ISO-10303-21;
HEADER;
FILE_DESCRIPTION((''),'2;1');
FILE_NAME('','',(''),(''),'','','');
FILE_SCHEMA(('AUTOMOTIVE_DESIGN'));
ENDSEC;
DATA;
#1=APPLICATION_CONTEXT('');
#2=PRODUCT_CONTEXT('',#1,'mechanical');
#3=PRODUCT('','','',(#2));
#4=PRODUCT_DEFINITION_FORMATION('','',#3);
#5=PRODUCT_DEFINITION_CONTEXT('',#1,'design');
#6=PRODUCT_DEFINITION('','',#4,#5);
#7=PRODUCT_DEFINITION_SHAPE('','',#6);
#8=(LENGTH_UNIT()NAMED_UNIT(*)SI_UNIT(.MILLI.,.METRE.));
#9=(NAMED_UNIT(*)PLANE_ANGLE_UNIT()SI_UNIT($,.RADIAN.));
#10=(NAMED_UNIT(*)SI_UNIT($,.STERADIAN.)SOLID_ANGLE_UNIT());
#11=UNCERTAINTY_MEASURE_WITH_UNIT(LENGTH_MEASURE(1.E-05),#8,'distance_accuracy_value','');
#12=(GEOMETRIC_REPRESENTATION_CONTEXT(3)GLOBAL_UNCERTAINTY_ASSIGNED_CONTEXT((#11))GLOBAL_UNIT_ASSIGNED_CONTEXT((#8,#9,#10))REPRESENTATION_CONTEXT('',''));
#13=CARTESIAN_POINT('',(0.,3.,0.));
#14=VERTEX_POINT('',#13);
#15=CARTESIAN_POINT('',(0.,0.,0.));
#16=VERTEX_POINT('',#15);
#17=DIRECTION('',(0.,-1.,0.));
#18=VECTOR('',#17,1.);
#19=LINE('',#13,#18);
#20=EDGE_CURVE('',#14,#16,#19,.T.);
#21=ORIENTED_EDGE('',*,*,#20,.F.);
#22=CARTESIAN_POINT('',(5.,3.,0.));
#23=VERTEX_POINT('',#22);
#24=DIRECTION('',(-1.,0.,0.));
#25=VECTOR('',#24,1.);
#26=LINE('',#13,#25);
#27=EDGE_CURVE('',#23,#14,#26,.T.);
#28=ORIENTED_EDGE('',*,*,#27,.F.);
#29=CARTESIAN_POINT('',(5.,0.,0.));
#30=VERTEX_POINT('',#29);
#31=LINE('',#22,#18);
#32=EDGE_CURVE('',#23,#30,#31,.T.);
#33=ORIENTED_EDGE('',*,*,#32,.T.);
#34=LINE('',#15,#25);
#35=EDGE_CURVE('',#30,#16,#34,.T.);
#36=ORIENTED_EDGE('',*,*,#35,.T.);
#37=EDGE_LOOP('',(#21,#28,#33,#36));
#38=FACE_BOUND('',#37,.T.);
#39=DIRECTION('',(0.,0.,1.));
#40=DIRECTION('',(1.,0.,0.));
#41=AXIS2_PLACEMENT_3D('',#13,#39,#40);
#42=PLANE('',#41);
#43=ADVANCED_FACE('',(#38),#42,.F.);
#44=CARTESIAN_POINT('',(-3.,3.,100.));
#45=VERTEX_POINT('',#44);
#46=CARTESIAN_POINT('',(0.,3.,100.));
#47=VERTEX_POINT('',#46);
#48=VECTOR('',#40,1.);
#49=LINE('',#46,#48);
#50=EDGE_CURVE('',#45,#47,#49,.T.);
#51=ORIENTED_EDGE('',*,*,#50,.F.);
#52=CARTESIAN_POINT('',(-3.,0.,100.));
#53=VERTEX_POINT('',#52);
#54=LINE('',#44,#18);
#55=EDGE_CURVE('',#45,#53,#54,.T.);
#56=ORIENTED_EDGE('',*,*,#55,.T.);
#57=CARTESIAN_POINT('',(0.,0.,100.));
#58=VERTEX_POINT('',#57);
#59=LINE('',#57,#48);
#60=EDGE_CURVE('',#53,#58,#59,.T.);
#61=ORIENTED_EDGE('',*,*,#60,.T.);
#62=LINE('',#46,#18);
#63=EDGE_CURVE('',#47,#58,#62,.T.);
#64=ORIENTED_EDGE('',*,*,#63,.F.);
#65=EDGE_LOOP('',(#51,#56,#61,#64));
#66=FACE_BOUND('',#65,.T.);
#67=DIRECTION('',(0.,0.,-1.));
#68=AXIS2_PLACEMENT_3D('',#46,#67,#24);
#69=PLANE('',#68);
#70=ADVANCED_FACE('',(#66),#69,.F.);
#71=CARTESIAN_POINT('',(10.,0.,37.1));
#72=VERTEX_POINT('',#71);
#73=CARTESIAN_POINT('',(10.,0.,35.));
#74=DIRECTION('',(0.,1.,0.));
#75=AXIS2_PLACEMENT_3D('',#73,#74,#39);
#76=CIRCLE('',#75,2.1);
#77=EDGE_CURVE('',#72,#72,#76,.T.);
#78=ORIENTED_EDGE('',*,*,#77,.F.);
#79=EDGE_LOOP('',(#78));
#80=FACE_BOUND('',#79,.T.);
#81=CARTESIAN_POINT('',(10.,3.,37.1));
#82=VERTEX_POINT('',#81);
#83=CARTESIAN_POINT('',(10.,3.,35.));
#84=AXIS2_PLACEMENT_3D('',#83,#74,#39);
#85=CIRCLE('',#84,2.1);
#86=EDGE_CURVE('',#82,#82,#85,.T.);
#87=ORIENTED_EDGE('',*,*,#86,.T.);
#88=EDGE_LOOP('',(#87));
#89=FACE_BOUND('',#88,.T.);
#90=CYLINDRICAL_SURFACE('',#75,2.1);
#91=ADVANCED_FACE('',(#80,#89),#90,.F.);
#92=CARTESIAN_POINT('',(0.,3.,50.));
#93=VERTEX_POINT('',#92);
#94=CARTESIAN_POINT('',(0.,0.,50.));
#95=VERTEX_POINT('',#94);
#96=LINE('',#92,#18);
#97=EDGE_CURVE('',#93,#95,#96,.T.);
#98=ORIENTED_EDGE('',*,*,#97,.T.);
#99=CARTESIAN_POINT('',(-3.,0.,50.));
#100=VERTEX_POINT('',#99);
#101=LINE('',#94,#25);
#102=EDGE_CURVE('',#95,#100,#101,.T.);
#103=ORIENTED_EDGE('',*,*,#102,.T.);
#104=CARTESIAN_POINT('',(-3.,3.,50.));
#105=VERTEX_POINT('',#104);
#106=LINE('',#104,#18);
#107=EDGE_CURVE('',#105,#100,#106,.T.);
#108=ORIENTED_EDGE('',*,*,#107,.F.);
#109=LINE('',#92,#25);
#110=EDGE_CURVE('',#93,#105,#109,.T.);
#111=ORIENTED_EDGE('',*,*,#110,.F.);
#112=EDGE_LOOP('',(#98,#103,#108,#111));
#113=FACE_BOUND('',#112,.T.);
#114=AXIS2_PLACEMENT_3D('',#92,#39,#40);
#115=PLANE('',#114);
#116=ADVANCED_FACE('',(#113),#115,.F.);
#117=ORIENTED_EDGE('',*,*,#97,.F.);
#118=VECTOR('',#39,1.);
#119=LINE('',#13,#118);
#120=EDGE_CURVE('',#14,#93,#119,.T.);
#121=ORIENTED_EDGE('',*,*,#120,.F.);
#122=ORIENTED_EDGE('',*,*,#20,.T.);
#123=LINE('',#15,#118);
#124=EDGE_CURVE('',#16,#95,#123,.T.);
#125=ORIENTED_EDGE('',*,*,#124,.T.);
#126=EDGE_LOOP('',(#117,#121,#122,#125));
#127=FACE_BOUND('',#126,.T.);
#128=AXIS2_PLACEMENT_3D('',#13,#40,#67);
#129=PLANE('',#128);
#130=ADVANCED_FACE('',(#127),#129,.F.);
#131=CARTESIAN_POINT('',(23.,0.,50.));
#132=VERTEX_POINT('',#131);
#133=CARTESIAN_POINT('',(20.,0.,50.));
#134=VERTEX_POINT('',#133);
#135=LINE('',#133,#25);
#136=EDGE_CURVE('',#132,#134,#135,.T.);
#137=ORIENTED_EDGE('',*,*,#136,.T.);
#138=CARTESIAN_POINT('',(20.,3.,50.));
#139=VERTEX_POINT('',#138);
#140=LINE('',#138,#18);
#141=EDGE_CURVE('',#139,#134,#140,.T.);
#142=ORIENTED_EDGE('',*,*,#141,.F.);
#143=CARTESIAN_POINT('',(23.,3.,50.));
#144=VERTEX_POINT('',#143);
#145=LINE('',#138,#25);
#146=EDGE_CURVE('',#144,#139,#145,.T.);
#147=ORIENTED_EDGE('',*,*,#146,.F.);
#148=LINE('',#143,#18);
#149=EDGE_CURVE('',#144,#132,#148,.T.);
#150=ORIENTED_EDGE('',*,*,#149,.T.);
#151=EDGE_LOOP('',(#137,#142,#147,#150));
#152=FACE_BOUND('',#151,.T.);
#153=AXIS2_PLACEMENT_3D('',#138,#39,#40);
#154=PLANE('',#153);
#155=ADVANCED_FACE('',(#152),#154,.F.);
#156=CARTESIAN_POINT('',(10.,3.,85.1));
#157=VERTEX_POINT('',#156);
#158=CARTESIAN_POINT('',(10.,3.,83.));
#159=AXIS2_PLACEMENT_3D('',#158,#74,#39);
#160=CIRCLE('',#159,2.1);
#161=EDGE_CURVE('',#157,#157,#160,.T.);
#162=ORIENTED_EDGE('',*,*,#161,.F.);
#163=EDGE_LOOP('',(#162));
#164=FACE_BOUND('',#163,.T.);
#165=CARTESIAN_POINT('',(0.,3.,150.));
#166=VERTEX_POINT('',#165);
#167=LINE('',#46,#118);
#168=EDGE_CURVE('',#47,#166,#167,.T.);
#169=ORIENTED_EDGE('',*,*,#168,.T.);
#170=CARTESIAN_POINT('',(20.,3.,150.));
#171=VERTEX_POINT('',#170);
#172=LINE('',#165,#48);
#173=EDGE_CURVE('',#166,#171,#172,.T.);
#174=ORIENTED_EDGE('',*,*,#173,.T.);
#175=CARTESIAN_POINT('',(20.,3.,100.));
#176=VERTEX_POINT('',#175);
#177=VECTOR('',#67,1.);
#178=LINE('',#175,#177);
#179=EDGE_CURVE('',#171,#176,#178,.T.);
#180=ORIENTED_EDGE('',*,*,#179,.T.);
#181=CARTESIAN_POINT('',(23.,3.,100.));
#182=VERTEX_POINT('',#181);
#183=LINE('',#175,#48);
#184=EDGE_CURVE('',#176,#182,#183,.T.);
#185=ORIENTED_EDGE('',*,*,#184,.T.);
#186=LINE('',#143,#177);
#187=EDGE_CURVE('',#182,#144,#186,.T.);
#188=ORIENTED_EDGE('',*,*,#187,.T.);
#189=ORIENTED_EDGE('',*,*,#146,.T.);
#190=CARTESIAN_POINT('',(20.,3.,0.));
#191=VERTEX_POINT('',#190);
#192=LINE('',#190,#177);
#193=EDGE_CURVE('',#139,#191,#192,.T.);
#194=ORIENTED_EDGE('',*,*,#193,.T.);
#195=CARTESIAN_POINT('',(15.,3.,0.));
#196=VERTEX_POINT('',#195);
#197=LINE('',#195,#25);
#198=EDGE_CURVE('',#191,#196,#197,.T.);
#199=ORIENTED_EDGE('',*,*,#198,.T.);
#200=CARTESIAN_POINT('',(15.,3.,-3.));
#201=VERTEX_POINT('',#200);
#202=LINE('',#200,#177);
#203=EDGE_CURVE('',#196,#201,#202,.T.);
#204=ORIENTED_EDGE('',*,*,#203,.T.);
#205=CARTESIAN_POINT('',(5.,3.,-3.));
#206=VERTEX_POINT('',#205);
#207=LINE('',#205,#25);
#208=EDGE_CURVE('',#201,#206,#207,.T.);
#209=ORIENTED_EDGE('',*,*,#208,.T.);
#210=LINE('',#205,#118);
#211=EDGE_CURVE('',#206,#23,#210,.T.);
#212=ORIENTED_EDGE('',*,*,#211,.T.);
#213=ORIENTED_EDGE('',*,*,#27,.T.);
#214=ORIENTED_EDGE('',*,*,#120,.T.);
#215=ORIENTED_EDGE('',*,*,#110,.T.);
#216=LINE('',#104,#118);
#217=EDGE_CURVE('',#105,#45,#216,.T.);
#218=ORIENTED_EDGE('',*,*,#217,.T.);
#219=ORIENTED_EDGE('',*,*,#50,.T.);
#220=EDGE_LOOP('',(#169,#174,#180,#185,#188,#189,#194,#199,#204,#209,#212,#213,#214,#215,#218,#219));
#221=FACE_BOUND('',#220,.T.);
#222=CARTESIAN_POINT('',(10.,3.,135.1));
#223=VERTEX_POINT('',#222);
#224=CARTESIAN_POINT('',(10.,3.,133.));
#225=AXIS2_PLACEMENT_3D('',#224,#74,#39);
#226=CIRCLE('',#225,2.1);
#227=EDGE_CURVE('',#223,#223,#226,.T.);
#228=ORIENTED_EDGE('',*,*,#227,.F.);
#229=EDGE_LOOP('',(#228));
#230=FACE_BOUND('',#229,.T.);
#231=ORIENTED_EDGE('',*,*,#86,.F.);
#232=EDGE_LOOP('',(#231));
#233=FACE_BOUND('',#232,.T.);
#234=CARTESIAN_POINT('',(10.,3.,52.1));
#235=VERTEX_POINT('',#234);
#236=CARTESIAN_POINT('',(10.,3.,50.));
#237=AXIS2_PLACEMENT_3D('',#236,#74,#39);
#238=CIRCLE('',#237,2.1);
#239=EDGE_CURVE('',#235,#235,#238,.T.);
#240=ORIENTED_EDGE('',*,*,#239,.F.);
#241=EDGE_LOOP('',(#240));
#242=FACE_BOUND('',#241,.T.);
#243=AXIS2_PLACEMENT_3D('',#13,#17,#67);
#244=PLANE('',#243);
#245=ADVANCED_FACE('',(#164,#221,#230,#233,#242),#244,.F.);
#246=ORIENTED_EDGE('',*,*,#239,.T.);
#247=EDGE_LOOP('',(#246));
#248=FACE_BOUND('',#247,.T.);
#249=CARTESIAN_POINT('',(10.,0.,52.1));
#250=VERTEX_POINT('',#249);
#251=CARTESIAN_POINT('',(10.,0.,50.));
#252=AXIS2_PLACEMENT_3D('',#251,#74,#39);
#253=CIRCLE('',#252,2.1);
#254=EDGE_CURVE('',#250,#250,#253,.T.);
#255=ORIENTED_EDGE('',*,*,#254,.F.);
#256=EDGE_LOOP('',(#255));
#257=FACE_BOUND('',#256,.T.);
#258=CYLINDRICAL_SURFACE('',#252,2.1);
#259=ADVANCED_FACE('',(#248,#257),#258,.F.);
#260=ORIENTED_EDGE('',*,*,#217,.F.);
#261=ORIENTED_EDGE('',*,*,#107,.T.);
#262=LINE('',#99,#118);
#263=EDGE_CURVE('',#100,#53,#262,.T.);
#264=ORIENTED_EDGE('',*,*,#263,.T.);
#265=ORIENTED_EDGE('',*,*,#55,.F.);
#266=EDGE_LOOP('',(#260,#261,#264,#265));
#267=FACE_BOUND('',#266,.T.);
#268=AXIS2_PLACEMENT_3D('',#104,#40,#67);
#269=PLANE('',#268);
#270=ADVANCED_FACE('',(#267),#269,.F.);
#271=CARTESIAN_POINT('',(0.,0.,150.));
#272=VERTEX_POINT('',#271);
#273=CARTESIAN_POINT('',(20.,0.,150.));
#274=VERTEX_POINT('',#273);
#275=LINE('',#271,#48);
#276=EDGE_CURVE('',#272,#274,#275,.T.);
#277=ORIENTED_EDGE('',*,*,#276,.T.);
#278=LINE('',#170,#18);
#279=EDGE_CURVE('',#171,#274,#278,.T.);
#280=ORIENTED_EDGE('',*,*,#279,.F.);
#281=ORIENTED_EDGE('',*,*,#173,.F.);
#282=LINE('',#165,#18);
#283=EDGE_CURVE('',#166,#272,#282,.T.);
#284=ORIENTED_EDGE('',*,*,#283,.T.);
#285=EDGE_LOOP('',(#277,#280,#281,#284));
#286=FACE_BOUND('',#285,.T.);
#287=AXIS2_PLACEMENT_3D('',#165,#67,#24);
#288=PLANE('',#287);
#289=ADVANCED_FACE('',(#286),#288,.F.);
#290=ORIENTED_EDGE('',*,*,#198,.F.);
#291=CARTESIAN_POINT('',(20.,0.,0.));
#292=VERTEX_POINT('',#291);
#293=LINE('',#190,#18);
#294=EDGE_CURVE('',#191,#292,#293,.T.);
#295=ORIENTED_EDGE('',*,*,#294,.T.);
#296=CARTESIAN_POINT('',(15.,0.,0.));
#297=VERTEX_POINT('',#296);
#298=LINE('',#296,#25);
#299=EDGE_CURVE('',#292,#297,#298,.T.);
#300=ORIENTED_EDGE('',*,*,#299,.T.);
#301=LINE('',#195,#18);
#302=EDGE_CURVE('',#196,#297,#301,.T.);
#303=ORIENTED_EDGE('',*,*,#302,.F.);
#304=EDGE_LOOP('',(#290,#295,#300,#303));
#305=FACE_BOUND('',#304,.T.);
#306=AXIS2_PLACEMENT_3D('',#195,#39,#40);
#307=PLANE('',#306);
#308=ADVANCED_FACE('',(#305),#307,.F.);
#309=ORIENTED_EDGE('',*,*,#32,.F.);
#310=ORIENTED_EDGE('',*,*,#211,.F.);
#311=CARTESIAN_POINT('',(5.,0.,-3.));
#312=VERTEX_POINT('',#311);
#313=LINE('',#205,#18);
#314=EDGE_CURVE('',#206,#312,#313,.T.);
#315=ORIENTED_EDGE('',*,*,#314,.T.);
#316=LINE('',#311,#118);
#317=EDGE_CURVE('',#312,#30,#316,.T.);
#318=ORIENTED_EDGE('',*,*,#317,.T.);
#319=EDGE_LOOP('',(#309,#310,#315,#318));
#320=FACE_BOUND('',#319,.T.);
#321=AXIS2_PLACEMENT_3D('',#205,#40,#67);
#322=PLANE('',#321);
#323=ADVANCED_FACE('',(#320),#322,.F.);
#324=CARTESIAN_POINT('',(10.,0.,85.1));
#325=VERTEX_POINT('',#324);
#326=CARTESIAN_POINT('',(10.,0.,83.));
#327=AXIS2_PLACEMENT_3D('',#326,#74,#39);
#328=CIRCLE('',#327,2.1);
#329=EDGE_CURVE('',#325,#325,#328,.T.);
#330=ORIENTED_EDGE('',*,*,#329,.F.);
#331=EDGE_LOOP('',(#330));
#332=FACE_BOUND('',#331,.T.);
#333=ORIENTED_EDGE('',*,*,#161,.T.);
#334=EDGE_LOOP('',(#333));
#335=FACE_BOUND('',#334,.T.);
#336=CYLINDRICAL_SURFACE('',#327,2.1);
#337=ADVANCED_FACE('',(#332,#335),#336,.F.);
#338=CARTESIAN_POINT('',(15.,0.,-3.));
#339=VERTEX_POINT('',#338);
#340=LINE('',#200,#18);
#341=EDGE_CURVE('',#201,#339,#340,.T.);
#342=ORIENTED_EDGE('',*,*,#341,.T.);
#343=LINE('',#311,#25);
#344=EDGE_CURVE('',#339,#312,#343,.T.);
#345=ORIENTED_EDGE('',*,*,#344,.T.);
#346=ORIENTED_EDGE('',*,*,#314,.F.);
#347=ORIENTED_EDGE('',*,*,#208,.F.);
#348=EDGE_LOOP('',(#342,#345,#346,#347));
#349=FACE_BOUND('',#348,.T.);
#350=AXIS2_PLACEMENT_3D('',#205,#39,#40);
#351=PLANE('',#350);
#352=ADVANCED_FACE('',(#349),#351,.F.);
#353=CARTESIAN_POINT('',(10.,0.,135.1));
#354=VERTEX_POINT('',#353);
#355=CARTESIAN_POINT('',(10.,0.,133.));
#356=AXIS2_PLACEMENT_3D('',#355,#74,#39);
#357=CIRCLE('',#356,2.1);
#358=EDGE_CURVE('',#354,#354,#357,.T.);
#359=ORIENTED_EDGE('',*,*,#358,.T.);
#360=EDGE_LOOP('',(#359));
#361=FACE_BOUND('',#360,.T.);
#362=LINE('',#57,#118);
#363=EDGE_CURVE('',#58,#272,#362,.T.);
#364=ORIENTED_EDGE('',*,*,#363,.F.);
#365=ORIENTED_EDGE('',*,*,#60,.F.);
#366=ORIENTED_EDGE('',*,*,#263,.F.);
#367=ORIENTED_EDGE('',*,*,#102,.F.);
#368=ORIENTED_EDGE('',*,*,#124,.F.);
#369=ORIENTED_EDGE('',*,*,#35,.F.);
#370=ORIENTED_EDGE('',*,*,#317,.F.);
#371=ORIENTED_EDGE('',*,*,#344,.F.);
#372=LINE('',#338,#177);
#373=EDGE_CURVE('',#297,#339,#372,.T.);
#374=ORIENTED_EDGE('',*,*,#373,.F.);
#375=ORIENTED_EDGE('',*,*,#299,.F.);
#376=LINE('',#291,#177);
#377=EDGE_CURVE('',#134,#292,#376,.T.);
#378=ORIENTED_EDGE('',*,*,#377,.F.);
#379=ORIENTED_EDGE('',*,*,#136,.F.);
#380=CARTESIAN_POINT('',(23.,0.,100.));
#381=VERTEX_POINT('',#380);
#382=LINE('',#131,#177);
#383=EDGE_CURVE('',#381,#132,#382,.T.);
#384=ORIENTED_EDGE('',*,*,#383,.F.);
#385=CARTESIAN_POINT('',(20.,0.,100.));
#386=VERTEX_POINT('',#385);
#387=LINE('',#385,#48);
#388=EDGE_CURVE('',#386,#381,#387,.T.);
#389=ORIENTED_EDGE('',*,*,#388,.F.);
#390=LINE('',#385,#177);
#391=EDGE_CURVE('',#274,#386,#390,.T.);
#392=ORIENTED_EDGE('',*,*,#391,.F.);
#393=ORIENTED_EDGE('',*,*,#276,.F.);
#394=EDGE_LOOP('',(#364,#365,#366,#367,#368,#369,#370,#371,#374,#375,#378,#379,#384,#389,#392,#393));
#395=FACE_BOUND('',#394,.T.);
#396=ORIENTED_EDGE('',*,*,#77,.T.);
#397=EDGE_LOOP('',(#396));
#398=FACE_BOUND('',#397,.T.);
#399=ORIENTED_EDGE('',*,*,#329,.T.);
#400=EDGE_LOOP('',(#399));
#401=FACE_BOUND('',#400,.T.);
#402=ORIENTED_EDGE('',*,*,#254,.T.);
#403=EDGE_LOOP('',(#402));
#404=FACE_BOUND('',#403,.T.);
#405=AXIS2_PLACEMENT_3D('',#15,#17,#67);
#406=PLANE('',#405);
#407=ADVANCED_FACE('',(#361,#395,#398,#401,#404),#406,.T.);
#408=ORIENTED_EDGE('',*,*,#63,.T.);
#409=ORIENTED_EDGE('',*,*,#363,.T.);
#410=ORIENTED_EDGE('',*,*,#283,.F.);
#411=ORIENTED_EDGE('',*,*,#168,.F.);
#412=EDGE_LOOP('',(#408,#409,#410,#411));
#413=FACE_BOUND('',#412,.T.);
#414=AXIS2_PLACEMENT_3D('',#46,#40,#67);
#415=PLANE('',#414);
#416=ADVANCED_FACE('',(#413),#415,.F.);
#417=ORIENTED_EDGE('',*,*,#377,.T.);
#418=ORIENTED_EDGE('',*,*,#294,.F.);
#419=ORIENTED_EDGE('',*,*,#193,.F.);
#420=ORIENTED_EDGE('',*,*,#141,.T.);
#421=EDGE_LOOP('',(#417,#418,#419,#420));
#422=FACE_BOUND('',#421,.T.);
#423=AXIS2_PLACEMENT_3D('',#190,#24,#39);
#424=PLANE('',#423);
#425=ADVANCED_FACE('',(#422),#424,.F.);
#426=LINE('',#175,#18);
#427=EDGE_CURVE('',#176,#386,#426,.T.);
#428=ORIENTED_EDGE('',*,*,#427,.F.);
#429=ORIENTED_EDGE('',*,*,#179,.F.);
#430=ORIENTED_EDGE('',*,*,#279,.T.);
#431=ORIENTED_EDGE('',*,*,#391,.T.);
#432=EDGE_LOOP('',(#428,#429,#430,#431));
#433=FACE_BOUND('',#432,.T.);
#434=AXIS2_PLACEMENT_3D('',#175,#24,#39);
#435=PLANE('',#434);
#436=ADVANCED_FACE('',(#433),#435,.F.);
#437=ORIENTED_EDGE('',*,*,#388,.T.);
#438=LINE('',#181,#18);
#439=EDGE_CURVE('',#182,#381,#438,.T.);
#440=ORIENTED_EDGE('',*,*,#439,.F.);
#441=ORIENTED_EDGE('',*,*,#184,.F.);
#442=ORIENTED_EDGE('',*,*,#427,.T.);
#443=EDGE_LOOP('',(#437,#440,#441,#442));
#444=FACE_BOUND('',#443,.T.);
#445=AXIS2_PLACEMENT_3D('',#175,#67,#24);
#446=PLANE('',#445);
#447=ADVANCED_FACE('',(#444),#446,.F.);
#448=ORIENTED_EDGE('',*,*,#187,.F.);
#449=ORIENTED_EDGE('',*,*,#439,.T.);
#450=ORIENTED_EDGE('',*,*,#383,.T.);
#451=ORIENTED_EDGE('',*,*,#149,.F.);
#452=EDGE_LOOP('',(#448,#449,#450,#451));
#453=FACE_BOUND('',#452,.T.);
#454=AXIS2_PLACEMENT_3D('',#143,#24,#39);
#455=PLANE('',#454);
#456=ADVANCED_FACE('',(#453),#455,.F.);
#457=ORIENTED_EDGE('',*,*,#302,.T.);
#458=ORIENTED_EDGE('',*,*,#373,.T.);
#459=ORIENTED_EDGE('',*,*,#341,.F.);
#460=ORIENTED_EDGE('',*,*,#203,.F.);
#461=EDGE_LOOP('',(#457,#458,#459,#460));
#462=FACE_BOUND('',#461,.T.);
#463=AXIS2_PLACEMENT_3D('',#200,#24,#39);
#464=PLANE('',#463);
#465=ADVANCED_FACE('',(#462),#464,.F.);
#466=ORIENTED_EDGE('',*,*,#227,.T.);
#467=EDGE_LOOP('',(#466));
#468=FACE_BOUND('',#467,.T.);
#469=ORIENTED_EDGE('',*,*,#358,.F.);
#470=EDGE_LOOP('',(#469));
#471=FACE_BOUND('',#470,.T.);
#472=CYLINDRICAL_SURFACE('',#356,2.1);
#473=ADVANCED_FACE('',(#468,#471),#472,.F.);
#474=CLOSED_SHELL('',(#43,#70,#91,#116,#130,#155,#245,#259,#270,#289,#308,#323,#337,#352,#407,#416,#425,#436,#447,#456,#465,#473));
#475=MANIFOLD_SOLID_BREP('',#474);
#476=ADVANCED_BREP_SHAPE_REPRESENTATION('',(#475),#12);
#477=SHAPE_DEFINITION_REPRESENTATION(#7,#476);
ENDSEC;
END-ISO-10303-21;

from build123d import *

# Parameters (mm, degrees)
BOSS_EXTRUDE1_DEPTH = 3
SKETCH2_R           = 2.1
CUT_EXTRUDE1_DEPTH  = 4


with BuildPart() as part:
    # Sketch1 → Boss-Extrude1 (new body)
    with BuildSketch(Plane(origin=(0, 0, 0), x_dir=(1, 0, 0), z_dir=(0, 1, 0))):
        Polygon((15, 0), (20, 0), (20, -50), (23, -50), (23, -100), (20, -100), (20, -150), (0, -150), (0, -100), (-3, -100), (-3, -50), (0, -50), (0, 0), (5, 0), (5, 3), (15, 3), align=None)
    extrude(amount=BOSS_EXTRUDE1_DEPTH)

    # Sketch2 → Cut-Extrude1 (cut, through all)
    with BuildSketch(Plane(origin=(0, 3, 0), x_dir=(1, 0, 0), z_dir=(0, 1, 0))):
        with Locations((10, -35)):
            Circle(SKETCH2_R)
        with Locations((10, -50)):
            Circle(SKETCH2_R)
        with Locations((10, -83)):
            Circle(SKETCH2_R)
        with Locations((10, -133)):
            Circle(SKETCH2_R)
    extrude(amount=-CUT_EXTRUDE1_DEPTH, mode=Mode.SUBTRACT)


solid = part.part
